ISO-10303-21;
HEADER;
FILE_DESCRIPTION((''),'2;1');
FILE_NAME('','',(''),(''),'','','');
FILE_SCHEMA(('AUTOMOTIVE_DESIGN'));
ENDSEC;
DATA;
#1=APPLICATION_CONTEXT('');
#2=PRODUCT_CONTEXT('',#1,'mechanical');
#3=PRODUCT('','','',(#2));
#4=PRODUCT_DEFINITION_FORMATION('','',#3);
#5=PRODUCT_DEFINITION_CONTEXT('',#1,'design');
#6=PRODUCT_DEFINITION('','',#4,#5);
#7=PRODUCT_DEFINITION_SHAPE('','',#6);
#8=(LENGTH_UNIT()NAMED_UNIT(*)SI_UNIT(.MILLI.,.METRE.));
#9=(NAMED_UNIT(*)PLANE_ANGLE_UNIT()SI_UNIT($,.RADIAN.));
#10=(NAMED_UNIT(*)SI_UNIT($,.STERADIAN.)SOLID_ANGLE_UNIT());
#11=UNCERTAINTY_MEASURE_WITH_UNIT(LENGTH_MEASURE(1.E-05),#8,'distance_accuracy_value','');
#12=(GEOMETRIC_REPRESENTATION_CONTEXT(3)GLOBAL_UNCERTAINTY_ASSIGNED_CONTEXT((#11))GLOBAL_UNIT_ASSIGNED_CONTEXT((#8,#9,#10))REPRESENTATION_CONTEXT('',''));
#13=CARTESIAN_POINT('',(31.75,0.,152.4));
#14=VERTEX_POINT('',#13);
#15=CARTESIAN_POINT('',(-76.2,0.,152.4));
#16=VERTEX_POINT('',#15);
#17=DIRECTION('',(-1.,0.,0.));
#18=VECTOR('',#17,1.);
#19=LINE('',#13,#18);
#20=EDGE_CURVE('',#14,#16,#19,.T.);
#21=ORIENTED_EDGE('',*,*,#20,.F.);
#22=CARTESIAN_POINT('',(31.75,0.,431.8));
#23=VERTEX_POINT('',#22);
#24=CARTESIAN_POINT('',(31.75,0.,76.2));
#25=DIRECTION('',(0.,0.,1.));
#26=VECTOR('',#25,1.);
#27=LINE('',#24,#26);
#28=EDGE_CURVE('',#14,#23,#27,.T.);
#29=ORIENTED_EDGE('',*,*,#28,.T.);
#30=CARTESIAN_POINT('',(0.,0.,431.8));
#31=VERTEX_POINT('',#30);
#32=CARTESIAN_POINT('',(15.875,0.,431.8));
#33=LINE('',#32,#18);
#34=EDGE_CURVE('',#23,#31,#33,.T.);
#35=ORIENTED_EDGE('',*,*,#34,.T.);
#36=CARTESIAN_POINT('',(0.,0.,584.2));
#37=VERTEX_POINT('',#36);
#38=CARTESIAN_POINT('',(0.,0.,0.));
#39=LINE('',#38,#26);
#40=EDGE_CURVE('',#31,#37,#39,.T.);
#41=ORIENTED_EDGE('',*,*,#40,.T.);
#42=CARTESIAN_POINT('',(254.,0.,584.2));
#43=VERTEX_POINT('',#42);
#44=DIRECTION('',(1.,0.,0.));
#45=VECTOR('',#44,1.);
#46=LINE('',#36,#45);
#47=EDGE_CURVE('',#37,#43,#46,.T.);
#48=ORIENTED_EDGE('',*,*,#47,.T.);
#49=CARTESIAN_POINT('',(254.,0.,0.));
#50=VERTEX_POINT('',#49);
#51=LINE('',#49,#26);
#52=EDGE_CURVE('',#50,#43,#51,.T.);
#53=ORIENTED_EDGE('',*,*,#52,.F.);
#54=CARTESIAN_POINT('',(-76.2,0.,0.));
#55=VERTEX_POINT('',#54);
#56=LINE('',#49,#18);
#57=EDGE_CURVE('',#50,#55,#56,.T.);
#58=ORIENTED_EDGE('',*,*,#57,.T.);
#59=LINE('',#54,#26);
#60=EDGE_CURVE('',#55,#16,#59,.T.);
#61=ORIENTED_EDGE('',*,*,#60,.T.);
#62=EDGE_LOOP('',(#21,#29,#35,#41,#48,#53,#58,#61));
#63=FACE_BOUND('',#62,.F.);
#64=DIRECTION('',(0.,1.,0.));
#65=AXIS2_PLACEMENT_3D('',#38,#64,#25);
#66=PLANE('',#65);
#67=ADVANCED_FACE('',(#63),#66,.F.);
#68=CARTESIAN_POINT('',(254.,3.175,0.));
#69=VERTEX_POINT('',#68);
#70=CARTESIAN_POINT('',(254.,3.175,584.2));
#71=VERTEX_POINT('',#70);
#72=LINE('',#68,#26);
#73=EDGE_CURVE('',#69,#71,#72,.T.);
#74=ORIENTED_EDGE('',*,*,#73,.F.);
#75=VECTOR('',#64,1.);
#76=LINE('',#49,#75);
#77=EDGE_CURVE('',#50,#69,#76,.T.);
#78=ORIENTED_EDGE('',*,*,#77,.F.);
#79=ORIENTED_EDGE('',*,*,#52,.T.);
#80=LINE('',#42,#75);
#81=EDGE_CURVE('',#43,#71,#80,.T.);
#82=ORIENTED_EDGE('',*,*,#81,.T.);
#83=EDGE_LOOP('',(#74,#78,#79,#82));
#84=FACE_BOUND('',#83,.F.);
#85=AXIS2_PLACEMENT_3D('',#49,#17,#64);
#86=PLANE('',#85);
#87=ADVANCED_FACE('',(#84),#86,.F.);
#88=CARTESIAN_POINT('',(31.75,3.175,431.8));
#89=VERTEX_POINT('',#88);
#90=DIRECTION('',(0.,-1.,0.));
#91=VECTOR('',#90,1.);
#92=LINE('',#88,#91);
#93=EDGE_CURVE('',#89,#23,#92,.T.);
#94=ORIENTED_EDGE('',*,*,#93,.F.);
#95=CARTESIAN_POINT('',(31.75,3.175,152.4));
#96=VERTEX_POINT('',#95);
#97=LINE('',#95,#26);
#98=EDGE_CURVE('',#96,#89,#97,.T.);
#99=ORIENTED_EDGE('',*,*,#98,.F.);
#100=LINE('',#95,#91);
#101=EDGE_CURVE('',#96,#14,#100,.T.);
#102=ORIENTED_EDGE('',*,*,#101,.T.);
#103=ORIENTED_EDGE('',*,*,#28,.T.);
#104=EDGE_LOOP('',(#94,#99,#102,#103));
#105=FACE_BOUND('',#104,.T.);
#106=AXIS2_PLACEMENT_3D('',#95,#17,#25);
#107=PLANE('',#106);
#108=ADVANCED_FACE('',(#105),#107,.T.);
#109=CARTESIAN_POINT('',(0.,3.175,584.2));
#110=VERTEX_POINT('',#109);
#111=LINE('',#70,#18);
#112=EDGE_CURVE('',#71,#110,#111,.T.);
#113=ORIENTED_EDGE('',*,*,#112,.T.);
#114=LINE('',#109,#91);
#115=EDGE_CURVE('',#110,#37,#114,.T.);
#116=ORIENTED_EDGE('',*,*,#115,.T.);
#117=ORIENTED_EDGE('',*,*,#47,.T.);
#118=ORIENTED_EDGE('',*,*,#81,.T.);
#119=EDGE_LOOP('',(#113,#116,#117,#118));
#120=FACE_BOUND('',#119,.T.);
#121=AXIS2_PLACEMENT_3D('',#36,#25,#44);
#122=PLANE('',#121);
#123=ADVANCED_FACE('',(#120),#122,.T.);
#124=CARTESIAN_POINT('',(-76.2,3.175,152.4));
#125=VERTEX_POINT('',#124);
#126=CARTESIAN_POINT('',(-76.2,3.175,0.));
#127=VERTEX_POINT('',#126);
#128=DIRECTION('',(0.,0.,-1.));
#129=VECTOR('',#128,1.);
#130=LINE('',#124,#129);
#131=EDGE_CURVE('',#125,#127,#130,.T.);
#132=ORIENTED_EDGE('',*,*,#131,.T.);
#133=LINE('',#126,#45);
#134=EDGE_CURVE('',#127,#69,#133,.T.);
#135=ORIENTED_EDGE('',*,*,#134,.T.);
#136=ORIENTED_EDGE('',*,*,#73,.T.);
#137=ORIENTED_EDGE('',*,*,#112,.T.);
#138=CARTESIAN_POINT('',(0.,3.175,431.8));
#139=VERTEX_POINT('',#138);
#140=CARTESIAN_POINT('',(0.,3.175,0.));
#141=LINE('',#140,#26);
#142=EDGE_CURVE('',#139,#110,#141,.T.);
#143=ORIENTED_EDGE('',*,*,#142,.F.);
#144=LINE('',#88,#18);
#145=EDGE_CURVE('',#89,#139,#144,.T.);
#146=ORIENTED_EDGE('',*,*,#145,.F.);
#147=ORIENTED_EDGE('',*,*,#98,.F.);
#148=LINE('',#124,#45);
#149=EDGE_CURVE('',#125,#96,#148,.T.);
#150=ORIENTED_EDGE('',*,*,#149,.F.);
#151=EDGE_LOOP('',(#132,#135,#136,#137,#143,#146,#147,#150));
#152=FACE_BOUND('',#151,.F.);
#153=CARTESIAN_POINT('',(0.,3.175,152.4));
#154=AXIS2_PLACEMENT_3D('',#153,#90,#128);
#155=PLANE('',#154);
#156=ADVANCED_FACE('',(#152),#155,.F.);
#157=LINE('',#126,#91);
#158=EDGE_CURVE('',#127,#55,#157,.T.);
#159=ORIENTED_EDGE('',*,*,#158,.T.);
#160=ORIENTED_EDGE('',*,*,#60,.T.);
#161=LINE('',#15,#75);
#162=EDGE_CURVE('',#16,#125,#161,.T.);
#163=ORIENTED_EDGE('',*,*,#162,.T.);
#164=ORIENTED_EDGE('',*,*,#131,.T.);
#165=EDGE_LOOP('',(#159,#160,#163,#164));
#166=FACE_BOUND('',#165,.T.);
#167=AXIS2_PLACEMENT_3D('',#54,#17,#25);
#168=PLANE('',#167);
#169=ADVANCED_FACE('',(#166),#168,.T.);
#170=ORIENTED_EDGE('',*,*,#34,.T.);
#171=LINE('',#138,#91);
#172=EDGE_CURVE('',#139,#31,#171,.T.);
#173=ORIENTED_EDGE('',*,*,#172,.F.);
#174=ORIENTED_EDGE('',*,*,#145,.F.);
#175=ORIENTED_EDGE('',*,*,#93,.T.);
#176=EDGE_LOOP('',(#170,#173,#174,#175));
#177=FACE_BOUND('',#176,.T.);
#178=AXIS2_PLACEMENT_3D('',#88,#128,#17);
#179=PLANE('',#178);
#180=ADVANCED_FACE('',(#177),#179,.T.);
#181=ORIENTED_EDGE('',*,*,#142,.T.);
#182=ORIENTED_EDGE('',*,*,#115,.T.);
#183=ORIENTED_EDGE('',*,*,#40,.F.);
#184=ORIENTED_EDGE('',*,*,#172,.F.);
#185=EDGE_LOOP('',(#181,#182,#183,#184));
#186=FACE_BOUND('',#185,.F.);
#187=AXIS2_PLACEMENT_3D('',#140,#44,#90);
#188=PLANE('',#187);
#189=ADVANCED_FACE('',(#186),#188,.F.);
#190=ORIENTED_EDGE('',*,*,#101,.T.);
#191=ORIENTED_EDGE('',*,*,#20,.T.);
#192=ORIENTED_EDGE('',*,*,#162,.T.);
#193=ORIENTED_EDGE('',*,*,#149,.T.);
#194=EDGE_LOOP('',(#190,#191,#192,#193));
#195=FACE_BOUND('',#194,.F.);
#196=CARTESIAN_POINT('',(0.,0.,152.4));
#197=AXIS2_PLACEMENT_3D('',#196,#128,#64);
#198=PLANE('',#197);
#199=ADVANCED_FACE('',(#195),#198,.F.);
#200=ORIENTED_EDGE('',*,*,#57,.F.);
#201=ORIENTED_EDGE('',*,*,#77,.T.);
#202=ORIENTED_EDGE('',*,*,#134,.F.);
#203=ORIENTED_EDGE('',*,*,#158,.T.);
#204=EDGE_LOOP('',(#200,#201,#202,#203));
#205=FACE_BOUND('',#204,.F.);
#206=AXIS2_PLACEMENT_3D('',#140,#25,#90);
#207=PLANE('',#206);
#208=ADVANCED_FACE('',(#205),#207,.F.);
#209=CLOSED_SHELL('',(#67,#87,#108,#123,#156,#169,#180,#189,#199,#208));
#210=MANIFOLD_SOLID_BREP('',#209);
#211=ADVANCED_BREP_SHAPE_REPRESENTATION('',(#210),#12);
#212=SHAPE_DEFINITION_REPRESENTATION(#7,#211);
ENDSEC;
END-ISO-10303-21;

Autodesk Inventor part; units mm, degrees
ref_plane "YZ Plane" through (0, 0, 0) normal (1, 0, 0) x (0, 1, 0)
ref_plane "XZ Plane" through (0, 0, 0) normal (0, 1, 0) x (-1, 0, 0)
ref_plane "XY Plane" through (0, 0, 0) normal (0, 0, 1) x (1, 0, 0)
sketch "Sketch1" plane through (0, 0, 0) normal (0, 0, 1) x (1, 0, 0)
  line L0 (0, 0) -> (254, 0)
  line L1 (254, 0) -> (254, 3.175)
  line L2 (254, 3.175) -> (0, 3.175)
  line L3 (0, 3.175) -> (0, 0)
  dimension "d0" = 254
  dimension "d1" = 3.175
extrude "Extrusion1" add sketch "Sketch1" along normal blind 584.2
sketch "Sketch2" plane through (0, 3.175, 0) normal (0, 1, 0) x (1, 0, 0)
  line L0 (0, -584.2) -> (254, -584.2) projected
  line L1 (254, 0) -> (0, 0) projected
  line L2 (0, 0) -> (0, -584.2) projected
  line L3 (0, -152.4) -> (31.75, -152.4)
  line L4 (31.75, -152.4) -> (31.75, -431.8)
  line L5 (31.75, -431.8) -> (0, -431.8)
  line L6 (0, -431.8) -> (0, -152.4)
  line L7 (31.75, -152.4) -> (31.75, 0) construction
  line L8 (31.75, -431.8) -> (31.75, -584.2) construction
  dimension "d4" = 31.75
  dimension "d5" = 279.4
extrude "Extrusion2" cut sketch "Sketch2" against normal through all
sketch "Sketch3" plane through (0, 0, 0) normal (-1, 0, 0) x (0, 0, 1)
  line L0 (0, 0) -> (152.4, 0)
  line L1 (152.4, 0) -> (152.4, 3.175)
  line L2 (152.4, 3.175) -> (0, 3.175)
  line L3 (0, 3.175) -> (0, 0)
extrude "Extrusion3" add sketch "Sketch3" along normal blind 76.2
properties part number "Board_V1" material "ABS Plastic"
